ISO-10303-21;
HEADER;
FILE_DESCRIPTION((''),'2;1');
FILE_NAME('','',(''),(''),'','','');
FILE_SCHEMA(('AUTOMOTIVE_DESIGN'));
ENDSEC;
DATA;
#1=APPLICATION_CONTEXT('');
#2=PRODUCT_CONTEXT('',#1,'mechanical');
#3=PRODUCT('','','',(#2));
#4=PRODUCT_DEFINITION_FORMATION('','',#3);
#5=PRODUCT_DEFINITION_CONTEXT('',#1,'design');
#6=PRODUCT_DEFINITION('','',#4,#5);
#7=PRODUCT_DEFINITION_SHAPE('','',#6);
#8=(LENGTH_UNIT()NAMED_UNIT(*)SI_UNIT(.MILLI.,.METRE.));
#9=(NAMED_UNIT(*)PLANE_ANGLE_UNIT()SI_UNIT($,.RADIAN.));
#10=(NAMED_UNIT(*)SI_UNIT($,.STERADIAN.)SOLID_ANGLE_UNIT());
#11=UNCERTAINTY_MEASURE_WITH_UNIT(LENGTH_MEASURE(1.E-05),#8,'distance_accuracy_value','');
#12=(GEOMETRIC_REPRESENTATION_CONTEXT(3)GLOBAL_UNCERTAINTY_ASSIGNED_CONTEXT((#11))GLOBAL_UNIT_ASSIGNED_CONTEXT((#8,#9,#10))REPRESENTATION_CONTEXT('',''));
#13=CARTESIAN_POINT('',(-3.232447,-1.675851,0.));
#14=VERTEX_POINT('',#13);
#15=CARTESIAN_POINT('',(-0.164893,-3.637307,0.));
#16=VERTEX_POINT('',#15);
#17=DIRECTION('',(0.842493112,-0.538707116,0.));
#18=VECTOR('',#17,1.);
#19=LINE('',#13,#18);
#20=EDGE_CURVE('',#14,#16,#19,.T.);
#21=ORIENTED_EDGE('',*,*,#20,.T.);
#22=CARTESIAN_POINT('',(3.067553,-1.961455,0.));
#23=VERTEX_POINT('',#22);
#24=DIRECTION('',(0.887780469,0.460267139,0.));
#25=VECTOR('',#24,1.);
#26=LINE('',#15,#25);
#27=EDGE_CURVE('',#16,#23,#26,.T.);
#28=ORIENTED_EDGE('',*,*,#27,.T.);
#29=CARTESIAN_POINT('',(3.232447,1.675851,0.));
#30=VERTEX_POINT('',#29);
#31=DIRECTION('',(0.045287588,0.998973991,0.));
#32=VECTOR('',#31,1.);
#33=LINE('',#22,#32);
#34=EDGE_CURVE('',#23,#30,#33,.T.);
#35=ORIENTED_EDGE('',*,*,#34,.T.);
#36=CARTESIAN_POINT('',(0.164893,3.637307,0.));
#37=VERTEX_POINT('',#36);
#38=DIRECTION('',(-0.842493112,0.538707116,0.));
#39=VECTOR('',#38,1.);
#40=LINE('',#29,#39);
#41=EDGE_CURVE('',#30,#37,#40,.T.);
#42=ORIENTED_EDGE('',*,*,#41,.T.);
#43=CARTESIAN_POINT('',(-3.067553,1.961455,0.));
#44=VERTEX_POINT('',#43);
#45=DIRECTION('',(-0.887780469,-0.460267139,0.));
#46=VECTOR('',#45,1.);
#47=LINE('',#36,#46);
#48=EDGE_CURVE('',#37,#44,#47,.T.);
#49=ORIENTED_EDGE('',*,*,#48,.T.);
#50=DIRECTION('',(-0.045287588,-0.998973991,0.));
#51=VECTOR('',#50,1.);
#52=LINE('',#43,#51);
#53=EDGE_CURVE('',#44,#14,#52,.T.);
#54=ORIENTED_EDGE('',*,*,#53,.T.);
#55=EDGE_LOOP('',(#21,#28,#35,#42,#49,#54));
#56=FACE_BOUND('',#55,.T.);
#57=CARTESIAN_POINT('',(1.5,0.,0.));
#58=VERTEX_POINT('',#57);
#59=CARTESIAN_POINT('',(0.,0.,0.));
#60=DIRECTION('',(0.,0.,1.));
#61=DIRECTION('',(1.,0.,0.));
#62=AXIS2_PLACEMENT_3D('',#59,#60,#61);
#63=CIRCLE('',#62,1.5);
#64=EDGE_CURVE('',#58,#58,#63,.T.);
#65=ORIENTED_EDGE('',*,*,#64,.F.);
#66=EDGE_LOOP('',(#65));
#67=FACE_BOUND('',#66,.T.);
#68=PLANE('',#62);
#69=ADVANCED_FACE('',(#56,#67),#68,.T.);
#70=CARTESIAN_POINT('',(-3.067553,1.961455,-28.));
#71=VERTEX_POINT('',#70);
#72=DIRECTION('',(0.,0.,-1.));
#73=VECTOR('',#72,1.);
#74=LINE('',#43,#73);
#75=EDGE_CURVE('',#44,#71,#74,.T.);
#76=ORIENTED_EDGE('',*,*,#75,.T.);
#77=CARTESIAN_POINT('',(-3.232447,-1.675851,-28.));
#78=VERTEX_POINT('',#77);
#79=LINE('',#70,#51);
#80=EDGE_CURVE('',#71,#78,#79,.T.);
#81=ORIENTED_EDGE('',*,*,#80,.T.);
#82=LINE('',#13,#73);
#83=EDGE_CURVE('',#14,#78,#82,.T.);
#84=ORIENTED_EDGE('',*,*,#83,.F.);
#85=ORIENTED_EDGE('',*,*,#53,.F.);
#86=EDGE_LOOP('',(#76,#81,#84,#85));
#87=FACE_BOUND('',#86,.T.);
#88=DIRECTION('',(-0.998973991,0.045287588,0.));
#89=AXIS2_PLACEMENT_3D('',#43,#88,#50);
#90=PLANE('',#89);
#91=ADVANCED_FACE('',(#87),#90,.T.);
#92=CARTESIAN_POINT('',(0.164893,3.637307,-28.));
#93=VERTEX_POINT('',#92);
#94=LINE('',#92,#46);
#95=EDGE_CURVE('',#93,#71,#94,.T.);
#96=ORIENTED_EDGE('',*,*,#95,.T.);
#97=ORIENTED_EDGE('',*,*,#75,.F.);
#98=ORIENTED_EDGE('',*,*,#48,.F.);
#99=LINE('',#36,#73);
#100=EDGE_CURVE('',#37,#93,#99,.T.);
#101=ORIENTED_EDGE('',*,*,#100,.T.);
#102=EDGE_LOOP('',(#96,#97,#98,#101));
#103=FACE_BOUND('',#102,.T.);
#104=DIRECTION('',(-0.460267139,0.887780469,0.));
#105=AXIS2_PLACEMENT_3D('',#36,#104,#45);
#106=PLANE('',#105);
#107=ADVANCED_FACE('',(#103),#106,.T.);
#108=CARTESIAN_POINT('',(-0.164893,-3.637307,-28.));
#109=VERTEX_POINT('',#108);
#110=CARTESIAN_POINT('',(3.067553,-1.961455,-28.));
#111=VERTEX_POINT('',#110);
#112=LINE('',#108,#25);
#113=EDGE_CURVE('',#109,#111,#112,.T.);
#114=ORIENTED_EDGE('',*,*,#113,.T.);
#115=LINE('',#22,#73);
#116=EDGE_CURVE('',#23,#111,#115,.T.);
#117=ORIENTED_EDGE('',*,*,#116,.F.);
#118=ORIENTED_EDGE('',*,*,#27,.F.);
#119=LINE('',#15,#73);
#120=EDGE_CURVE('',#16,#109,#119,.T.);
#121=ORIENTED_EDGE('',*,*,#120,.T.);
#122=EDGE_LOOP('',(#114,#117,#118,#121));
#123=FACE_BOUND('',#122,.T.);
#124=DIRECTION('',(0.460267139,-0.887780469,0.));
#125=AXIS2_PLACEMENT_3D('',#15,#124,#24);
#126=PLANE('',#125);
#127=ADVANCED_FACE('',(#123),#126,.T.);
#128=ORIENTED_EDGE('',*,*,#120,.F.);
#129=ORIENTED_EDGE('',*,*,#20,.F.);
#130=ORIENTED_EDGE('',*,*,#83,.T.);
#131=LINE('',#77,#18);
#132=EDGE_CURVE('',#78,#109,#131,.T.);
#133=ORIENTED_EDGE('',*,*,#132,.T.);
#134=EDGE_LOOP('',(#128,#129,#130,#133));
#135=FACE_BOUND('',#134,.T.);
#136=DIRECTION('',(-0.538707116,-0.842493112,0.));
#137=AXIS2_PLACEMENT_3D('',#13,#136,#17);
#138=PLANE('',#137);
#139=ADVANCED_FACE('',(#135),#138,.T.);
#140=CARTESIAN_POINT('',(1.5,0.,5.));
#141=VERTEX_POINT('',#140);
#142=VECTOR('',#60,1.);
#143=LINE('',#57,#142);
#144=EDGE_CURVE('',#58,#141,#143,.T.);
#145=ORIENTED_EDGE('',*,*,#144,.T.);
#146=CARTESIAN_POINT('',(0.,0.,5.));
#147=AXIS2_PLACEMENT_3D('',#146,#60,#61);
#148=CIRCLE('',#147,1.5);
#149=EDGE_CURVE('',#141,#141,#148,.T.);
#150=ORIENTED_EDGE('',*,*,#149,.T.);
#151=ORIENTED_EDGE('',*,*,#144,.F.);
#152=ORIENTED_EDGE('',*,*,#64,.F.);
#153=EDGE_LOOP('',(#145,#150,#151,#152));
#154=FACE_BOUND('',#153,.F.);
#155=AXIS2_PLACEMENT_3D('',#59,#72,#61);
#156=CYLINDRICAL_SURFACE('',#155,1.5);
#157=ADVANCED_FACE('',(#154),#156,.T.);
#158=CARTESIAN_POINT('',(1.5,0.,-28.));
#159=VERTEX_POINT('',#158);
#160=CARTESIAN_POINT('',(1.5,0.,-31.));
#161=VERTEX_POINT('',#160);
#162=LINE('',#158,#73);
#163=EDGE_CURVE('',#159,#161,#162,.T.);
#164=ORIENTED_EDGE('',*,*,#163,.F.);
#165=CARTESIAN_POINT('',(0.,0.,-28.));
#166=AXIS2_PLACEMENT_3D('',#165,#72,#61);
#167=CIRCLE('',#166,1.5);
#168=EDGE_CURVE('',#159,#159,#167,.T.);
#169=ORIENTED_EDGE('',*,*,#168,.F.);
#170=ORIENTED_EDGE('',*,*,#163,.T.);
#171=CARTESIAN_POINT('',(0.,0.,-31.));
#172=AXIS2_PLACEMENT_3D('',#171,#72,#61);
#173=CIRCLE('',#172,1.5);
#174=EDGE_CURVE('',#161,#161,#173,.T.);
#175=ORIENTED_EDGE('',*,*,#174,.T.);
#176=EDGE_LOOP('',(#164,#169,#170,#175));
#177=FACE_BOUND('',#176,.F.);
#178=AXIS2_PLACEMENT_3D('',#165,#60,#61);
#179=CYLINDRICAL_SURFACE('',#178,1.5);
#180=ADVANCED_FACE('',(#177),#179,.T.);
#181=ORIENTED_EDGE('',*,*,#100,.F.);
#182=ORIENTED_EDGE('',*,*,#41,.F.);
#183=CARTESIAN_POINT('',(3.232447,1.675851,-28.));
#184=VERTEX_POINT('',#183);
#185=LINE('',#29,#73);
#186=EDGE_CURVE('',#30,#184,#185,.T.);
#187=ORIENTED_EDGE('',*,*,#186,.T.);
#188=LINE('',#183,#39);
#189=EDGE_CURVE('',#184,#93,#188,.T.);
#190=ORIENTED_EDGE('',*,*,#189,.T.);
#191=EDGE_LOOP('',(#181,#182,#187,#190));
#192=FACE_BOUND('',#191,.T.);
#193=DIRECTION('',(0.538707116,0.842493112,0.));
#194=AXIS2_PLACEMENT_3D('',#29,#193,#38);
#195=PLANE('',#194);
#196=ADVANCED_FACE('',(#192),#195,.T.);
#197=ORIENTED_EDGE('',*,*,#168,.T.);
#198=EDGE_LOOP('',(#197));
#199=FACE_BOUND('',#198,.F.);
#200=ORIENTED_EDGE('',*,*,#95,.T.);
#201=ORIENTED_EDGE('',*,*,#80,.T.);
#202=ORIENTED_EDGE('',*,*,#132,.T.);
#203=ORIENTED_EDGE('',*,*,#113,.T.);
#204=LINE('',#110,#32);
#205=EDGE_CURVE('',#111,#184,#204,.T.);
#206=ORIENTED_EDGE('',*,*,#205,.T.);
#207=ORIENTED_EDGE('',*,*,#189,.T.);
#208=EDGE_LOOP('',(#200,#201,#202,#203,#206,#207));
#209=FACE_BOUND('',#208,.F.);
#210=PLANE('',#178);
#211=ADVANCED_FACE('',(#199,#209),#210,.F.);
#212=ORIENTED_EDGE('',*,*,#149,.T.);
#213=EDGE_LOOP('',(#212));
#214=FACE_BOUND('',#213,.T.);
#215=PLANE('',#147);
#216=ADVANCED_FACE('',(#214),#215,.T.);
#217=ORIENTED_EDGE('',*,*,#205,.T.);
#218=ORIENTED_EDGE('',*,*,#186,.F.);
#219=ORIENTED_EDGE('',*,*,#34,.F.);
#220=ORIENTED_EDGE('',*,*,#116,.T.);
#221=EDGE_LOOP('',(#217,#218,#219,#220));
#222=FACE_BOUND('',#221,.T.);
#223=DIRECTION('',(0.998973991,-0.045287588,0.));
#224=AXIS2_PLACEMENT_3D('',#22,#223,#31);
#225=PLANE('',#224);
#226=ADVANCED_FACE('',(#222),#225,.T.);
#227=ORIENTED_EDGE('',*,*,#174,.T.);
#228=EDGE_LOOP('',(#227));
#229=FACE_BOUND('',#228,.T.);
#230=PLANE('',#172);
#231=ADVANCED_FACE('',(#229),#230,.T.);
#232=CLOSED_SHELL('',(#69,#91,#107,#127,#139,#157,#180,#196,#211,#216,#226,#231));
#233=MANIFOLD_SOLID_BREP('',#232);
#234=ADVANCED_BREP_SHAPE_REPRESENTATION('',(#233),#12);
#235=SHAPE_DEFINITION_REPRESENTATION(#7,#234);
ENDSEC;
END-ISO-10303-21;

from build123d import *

# Parameters (mm, degrees)
F0_R     = 1.5
F1_DEPTH = 28
F2_DEPTH = 5
F3_R     = 1.5
F4_DEPTH = 3


with BuildPart() as f1:
    # F0 (on Top) → F1 (new body)
    with BuildSketch(Plane.XY):
        Polygon((-3.232447, -1.675851), (-0.164893, -3.637307), (3.067553, -1.961455), (3.232447, 1.675851), (0.164893, 3.637307), (-3.067553, 1.961455), align=None)
        Circle(F0_R, mode=Mode.SUBTRACT)
        Circle(F0_R)
    extrude(amount=-F1_DEPTH)

    # F0 (on Top) → F2 (join)
    with BuildSketch(Plane.XY):
        Circle(F0_R)
    extrude(amount=F2_DEPTH)

    # F3 (on face) → F4 (join)
    with BuildSketch(Plane(origin=(0, 0, -28), x_dir=(1, 0, 0), z_dir=(0, 0, -1))):
        Circle(F3_R)
    extrude(amount=F4_DEPTH)


solid = f1.part
